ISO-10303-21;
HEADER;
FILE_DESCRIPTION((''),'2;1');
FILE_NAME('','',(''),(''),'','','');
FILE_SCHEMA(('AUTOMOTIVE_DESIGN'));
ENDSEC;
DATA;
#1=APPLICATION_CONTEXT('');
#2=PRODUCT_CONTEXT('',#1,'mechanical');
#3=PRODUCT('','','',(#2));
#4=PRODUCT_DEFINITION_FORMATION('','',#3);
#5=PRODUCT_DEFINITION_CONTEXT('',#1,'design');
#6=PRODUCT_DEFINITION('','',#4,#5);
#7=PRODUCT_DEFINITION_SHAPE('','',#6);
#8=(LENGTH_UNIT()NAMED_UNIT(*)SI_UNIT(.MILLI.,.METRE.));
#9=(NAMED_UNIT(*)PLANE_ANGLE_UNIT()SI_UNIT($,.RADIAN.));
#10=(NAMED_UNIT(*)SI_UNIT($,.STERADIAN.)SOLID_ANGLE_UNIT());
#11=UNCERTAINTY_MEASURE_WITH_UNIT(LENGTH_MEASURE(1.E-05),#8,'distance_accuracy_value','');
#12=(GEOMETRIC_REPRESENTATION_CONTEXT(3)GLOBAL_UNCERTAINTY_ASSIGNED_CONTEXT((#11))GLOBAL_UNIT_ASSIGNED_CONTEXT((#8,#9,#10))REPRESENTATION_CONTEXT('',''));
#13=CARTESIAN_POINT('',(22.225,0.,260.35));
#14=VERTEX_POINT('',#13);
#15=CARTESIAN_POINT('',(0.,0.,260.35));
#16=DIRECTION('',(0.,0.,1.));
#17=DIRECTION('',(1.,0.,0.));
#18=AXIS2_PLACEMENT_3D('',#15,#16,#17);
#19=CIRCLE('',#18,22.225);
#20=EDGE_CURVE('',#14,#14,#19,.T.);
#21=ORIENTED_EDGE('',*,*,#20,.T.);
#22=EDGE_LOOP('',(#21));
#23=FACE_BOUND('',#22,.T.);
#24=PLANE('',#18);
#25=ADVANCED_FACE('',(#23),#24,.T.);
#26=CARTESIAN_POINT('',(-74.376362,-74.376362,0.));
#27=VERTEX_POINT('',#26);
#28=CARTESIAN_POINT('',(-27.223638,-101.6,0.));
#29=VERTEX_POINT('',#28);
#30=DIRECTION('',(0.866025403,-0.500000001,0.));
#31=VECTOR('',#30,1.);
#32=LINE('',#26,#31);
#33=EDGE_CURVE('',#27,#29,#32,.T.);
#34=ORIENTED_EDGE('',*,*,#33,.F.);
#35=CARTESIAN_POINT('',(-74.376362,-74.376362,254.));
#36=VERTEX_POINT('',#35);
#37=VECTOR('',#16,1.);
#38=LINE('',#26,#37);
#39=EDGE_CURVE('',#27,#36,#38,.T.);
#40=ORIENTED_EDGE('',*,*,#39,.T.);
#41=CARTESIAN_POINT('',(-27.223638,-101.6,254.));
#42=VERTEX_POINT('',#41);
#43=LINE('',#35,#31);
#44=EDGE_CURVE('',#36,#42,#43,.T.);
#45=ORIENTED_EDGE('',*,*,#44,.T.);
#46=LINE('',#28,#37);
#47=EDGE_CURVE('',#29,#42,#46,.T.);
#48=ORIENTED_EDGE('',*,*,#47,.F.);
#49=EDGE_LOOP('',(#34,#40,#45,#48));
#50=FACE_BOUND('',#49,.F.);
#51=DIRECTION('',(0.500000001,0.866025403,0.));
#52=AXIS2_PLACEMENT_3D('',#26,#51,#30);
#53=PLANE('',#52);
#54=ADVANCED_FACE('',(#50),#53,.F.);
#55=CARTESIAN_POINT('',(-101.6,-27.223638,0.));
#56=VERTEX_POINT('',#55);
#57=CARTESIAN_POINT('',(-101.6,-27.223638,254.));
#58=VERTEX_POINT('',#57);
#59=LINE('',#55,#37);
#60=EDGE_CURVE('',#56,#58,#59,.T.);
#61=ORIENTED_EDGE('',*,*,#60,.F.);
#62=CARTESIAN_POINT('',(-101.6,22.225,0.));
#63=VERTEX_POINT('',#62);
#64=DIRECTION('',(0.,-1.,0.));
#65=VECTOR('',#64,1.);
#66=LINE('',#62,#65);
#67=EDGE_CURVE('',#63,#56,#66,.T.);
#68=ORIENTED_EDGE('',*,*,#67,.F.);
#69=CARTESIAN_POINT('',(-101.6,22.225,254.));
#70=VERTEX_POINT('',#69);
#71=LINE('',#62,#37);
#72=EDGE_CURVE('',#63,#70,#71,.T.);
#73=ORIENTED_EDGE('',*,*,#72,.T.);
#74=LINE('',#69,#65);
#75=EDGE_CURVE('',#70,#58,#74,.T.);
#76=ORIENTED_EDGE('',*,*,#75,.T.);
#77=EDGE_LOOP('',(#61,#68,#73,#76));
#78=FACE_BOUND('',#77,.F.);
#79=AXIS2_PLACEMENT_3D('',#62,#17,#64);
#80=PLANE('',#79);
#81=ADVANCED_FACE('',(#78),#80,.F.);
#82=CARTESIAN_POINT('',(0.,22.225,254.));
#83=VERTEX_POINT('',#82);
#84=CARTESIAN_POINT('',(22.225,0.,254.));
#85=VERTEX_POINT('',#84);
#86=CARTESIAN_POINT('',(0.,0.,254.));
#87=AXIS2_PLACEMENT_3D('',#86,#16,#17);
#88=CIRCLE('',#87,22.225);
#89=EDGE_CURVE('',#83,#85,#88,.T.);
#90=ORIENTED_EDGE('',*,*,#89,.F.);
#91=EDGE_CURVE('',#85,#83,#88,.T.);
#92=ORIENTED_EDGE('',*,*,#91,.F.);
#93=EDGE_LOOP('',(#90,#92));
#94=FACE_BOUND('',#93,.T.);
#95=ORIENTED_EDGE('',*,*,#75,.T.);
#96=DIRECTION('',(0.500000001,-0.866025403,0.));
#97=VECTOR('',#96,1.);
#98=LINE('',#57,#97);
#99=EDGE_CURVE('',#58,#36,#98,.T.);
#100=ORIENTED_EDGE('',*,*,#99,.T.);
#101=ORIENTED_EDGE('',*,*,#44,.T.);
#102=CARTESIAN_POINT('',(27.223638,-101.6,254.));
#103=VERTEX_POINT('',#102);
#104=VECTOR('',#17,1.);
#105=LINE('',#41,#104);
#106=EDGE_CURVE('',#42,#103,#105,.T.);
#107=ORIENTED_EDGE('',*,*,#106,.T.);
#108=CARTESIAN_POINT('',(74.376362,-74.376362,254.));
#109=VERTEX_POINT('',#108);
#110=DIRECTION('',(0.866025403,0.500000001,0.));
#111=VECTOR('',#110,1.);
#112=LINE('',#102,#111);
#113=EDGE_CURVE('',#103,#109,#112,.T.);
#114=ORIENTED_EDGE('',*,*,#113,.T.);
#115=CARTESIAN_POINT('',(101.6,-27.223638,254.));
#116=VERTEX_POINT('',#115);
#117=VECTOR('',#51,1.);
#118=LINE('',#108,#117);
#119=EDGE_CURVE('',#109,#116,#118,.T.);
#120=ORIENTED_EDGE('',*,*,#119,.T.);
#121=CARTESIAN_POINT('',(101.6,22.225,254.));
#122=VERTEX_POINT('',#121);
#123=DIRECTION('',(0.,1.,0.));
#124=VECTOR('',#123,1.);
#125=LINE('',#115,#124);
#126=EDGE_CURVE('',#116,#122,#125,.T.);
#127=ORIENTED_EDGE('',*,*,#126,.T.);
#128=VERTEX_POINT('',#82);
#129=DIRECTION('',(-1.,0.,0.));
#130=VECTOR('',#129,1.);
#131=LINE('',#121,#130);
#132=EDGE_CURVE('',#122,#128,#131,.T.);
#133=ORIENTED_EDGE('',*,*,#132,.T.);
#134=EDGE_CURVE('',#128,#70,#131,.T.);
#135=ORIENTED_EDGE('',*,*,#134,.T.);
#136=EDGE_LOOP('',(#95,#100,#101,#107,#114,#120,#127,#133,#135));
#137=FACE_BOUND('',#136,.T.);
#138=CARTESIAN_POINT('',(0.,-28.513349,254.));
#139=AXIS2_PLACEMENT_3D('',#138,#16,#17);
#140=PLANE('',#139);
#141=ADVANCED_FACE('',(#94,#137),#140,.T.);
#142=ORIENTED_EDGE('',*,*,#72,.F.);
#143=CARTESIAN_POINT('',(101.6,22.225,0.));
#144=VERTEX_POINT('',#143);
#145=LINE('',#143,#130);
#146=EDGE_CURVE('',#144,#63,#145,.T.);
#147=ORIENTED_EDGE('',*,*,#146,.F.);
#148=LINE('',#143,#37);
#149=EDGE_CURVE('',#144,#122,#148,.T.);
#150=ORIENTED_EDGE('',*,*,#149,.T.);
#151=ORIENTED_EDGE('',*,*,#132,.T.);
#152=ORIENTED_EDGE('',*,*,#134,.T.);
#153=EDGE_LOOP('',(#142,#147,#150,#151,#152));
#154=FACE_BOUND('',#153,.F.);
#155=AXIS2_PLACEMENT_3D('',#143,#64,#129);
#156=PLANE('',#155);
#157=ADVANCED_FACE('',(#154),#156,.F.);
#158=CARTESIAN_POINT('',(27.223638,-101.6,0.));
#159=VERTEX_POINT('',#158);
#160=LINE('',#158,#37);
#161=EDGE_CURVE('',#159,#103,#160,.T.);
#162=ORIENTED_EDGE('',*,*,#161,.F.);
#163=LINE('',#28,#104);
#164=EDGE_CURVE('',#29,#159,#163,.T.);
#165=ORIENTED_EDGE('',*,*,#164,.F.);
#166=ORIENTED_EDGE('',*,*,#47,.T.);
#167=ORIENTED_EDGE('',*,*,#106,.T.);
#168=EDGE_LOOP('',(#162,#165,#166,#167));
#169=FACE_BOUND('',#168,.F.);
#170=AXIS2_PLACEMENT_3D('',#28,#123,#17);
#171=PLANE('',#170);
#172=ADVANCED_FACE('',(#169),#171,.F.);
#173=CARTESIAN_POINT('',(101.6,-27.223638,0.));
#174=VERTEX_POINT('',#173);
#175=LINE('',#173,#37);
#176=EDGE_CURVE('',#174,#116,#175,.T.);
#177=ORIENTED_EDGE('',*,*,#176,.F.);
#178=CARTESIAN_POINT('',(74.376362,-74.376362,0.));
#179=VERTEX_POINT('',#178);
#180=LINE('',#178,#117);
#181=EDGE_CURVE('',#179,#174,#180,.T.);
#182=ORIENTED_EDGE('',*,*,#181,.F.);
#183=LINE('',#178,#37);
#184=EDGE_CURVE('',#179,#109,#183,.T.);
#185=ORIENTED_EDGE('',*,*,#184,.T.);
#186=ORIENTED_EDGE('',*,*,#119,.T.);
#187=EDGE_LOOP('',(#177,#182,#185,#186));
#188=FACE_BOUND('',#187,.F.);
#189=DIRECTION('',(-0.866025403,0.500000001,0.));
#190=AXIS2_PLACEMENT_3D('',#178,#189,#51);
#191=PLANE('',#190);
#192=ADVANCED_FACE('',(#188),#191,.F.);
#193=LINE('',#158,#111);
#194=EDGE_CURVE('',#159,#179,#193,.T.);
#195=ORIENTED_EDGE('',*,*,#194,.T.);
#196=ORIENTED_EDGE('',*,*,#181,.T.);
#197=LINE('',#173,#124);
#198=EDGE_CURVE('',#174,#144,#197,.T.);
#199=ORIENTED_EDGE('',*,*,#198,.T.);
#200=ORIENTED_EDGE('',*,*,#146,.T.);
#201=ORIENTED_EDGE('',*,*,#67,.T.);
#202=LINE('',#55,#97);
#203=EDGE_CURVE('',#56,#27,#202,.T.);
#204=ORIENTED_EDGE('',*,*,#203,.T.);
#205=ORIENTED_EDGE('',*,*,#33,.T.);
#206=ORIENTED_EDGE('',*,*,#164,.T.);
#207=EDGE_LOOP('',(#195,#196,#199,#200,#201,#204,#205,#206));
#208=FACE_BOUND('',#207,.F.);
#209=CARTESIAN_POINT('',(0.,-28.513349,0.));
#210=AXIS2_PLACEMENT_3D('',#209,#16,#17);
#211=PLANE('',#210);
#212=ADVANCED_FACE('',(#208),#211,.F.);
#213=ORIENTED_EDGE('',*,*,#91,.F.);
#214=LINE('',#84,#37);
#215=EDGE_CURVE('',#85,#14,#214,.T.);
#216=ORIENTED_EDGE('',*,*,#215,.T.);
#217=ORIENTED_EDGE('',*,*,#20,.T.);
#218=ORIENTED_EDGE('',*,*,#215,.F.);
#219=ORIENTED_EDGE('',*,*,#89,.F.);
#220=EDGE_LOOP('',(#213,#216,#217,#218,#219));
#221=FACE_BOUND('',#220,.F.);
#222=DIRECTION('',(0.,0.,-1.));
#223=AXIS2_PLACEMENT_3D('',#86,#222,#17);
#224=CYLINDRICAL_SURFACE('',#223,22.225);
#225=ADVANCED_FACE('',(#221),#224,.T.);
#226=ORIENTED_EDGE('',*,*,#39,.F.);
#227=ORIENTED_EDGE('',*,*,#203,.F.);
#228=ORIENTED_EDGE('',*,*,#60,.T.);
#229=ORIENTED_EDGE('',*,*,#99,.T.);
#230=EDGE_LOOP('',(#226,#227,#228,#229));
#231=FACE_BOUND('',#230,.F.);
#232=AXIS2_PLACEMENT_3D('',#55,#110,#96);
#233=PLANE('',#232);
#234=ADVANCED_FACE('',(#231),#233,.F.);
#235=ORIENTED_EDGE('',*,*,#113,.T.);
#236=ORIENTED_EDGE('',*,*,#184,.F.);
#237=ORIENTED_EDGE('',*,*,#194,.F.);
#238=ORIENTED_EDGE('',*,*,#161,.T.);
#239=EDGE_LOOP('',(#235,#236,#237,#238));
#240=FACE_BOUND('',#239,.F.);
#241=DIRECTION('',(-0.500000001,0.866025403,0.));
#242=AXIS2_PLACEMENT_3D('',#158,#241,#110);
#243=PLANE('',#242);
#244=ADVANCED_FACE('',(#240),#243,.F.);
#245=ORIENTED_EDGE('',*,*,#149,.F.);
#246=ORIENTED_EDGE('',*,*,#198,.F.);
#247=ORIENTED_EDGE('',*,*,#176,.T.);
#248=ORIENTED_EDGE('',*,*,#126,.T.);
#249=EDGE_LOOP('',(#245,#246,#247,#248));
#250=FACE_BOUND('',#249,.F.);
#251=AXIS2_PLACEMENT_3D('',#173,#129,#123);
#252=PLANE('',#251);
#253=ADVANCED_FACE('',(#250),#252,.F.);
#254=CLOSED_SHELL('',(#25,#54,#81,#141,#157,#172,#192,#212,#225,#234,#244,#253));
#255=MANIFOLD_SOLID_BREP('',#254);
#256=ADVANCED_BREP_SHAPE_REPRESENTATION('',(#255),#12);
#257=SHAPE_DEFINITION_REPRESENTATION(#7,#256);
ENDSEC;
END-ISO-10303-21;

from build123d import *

# Parameters (mm, degrees)
F1_DEPTH = 254
F2_R     = 22.225
F3_DEPTH = 6.35


with BuildPart() as f1:
    # F0 (on Top) → F1 (new body)
    with BuildSketch(Plane.XY):
        Polygon((101.6, -27.223638), (101.6, 22.225), (0, 22.225), (-101.6, 22.225), (-101.6, -27.223638), (-74.376362, -74.376362), (-27.223638, -101.6), (27.223638, -101.6), (74.376362, -74.376362), align=None)
    extrude(amount=F1_DEPTH)

    # F2 (on face) → F3 (join)
    with BuildSketch(Plane.XY.offset(254)):
        Circle(F2_R)
    extrude(amount=F3_DEPTH)


solid = f1.part
